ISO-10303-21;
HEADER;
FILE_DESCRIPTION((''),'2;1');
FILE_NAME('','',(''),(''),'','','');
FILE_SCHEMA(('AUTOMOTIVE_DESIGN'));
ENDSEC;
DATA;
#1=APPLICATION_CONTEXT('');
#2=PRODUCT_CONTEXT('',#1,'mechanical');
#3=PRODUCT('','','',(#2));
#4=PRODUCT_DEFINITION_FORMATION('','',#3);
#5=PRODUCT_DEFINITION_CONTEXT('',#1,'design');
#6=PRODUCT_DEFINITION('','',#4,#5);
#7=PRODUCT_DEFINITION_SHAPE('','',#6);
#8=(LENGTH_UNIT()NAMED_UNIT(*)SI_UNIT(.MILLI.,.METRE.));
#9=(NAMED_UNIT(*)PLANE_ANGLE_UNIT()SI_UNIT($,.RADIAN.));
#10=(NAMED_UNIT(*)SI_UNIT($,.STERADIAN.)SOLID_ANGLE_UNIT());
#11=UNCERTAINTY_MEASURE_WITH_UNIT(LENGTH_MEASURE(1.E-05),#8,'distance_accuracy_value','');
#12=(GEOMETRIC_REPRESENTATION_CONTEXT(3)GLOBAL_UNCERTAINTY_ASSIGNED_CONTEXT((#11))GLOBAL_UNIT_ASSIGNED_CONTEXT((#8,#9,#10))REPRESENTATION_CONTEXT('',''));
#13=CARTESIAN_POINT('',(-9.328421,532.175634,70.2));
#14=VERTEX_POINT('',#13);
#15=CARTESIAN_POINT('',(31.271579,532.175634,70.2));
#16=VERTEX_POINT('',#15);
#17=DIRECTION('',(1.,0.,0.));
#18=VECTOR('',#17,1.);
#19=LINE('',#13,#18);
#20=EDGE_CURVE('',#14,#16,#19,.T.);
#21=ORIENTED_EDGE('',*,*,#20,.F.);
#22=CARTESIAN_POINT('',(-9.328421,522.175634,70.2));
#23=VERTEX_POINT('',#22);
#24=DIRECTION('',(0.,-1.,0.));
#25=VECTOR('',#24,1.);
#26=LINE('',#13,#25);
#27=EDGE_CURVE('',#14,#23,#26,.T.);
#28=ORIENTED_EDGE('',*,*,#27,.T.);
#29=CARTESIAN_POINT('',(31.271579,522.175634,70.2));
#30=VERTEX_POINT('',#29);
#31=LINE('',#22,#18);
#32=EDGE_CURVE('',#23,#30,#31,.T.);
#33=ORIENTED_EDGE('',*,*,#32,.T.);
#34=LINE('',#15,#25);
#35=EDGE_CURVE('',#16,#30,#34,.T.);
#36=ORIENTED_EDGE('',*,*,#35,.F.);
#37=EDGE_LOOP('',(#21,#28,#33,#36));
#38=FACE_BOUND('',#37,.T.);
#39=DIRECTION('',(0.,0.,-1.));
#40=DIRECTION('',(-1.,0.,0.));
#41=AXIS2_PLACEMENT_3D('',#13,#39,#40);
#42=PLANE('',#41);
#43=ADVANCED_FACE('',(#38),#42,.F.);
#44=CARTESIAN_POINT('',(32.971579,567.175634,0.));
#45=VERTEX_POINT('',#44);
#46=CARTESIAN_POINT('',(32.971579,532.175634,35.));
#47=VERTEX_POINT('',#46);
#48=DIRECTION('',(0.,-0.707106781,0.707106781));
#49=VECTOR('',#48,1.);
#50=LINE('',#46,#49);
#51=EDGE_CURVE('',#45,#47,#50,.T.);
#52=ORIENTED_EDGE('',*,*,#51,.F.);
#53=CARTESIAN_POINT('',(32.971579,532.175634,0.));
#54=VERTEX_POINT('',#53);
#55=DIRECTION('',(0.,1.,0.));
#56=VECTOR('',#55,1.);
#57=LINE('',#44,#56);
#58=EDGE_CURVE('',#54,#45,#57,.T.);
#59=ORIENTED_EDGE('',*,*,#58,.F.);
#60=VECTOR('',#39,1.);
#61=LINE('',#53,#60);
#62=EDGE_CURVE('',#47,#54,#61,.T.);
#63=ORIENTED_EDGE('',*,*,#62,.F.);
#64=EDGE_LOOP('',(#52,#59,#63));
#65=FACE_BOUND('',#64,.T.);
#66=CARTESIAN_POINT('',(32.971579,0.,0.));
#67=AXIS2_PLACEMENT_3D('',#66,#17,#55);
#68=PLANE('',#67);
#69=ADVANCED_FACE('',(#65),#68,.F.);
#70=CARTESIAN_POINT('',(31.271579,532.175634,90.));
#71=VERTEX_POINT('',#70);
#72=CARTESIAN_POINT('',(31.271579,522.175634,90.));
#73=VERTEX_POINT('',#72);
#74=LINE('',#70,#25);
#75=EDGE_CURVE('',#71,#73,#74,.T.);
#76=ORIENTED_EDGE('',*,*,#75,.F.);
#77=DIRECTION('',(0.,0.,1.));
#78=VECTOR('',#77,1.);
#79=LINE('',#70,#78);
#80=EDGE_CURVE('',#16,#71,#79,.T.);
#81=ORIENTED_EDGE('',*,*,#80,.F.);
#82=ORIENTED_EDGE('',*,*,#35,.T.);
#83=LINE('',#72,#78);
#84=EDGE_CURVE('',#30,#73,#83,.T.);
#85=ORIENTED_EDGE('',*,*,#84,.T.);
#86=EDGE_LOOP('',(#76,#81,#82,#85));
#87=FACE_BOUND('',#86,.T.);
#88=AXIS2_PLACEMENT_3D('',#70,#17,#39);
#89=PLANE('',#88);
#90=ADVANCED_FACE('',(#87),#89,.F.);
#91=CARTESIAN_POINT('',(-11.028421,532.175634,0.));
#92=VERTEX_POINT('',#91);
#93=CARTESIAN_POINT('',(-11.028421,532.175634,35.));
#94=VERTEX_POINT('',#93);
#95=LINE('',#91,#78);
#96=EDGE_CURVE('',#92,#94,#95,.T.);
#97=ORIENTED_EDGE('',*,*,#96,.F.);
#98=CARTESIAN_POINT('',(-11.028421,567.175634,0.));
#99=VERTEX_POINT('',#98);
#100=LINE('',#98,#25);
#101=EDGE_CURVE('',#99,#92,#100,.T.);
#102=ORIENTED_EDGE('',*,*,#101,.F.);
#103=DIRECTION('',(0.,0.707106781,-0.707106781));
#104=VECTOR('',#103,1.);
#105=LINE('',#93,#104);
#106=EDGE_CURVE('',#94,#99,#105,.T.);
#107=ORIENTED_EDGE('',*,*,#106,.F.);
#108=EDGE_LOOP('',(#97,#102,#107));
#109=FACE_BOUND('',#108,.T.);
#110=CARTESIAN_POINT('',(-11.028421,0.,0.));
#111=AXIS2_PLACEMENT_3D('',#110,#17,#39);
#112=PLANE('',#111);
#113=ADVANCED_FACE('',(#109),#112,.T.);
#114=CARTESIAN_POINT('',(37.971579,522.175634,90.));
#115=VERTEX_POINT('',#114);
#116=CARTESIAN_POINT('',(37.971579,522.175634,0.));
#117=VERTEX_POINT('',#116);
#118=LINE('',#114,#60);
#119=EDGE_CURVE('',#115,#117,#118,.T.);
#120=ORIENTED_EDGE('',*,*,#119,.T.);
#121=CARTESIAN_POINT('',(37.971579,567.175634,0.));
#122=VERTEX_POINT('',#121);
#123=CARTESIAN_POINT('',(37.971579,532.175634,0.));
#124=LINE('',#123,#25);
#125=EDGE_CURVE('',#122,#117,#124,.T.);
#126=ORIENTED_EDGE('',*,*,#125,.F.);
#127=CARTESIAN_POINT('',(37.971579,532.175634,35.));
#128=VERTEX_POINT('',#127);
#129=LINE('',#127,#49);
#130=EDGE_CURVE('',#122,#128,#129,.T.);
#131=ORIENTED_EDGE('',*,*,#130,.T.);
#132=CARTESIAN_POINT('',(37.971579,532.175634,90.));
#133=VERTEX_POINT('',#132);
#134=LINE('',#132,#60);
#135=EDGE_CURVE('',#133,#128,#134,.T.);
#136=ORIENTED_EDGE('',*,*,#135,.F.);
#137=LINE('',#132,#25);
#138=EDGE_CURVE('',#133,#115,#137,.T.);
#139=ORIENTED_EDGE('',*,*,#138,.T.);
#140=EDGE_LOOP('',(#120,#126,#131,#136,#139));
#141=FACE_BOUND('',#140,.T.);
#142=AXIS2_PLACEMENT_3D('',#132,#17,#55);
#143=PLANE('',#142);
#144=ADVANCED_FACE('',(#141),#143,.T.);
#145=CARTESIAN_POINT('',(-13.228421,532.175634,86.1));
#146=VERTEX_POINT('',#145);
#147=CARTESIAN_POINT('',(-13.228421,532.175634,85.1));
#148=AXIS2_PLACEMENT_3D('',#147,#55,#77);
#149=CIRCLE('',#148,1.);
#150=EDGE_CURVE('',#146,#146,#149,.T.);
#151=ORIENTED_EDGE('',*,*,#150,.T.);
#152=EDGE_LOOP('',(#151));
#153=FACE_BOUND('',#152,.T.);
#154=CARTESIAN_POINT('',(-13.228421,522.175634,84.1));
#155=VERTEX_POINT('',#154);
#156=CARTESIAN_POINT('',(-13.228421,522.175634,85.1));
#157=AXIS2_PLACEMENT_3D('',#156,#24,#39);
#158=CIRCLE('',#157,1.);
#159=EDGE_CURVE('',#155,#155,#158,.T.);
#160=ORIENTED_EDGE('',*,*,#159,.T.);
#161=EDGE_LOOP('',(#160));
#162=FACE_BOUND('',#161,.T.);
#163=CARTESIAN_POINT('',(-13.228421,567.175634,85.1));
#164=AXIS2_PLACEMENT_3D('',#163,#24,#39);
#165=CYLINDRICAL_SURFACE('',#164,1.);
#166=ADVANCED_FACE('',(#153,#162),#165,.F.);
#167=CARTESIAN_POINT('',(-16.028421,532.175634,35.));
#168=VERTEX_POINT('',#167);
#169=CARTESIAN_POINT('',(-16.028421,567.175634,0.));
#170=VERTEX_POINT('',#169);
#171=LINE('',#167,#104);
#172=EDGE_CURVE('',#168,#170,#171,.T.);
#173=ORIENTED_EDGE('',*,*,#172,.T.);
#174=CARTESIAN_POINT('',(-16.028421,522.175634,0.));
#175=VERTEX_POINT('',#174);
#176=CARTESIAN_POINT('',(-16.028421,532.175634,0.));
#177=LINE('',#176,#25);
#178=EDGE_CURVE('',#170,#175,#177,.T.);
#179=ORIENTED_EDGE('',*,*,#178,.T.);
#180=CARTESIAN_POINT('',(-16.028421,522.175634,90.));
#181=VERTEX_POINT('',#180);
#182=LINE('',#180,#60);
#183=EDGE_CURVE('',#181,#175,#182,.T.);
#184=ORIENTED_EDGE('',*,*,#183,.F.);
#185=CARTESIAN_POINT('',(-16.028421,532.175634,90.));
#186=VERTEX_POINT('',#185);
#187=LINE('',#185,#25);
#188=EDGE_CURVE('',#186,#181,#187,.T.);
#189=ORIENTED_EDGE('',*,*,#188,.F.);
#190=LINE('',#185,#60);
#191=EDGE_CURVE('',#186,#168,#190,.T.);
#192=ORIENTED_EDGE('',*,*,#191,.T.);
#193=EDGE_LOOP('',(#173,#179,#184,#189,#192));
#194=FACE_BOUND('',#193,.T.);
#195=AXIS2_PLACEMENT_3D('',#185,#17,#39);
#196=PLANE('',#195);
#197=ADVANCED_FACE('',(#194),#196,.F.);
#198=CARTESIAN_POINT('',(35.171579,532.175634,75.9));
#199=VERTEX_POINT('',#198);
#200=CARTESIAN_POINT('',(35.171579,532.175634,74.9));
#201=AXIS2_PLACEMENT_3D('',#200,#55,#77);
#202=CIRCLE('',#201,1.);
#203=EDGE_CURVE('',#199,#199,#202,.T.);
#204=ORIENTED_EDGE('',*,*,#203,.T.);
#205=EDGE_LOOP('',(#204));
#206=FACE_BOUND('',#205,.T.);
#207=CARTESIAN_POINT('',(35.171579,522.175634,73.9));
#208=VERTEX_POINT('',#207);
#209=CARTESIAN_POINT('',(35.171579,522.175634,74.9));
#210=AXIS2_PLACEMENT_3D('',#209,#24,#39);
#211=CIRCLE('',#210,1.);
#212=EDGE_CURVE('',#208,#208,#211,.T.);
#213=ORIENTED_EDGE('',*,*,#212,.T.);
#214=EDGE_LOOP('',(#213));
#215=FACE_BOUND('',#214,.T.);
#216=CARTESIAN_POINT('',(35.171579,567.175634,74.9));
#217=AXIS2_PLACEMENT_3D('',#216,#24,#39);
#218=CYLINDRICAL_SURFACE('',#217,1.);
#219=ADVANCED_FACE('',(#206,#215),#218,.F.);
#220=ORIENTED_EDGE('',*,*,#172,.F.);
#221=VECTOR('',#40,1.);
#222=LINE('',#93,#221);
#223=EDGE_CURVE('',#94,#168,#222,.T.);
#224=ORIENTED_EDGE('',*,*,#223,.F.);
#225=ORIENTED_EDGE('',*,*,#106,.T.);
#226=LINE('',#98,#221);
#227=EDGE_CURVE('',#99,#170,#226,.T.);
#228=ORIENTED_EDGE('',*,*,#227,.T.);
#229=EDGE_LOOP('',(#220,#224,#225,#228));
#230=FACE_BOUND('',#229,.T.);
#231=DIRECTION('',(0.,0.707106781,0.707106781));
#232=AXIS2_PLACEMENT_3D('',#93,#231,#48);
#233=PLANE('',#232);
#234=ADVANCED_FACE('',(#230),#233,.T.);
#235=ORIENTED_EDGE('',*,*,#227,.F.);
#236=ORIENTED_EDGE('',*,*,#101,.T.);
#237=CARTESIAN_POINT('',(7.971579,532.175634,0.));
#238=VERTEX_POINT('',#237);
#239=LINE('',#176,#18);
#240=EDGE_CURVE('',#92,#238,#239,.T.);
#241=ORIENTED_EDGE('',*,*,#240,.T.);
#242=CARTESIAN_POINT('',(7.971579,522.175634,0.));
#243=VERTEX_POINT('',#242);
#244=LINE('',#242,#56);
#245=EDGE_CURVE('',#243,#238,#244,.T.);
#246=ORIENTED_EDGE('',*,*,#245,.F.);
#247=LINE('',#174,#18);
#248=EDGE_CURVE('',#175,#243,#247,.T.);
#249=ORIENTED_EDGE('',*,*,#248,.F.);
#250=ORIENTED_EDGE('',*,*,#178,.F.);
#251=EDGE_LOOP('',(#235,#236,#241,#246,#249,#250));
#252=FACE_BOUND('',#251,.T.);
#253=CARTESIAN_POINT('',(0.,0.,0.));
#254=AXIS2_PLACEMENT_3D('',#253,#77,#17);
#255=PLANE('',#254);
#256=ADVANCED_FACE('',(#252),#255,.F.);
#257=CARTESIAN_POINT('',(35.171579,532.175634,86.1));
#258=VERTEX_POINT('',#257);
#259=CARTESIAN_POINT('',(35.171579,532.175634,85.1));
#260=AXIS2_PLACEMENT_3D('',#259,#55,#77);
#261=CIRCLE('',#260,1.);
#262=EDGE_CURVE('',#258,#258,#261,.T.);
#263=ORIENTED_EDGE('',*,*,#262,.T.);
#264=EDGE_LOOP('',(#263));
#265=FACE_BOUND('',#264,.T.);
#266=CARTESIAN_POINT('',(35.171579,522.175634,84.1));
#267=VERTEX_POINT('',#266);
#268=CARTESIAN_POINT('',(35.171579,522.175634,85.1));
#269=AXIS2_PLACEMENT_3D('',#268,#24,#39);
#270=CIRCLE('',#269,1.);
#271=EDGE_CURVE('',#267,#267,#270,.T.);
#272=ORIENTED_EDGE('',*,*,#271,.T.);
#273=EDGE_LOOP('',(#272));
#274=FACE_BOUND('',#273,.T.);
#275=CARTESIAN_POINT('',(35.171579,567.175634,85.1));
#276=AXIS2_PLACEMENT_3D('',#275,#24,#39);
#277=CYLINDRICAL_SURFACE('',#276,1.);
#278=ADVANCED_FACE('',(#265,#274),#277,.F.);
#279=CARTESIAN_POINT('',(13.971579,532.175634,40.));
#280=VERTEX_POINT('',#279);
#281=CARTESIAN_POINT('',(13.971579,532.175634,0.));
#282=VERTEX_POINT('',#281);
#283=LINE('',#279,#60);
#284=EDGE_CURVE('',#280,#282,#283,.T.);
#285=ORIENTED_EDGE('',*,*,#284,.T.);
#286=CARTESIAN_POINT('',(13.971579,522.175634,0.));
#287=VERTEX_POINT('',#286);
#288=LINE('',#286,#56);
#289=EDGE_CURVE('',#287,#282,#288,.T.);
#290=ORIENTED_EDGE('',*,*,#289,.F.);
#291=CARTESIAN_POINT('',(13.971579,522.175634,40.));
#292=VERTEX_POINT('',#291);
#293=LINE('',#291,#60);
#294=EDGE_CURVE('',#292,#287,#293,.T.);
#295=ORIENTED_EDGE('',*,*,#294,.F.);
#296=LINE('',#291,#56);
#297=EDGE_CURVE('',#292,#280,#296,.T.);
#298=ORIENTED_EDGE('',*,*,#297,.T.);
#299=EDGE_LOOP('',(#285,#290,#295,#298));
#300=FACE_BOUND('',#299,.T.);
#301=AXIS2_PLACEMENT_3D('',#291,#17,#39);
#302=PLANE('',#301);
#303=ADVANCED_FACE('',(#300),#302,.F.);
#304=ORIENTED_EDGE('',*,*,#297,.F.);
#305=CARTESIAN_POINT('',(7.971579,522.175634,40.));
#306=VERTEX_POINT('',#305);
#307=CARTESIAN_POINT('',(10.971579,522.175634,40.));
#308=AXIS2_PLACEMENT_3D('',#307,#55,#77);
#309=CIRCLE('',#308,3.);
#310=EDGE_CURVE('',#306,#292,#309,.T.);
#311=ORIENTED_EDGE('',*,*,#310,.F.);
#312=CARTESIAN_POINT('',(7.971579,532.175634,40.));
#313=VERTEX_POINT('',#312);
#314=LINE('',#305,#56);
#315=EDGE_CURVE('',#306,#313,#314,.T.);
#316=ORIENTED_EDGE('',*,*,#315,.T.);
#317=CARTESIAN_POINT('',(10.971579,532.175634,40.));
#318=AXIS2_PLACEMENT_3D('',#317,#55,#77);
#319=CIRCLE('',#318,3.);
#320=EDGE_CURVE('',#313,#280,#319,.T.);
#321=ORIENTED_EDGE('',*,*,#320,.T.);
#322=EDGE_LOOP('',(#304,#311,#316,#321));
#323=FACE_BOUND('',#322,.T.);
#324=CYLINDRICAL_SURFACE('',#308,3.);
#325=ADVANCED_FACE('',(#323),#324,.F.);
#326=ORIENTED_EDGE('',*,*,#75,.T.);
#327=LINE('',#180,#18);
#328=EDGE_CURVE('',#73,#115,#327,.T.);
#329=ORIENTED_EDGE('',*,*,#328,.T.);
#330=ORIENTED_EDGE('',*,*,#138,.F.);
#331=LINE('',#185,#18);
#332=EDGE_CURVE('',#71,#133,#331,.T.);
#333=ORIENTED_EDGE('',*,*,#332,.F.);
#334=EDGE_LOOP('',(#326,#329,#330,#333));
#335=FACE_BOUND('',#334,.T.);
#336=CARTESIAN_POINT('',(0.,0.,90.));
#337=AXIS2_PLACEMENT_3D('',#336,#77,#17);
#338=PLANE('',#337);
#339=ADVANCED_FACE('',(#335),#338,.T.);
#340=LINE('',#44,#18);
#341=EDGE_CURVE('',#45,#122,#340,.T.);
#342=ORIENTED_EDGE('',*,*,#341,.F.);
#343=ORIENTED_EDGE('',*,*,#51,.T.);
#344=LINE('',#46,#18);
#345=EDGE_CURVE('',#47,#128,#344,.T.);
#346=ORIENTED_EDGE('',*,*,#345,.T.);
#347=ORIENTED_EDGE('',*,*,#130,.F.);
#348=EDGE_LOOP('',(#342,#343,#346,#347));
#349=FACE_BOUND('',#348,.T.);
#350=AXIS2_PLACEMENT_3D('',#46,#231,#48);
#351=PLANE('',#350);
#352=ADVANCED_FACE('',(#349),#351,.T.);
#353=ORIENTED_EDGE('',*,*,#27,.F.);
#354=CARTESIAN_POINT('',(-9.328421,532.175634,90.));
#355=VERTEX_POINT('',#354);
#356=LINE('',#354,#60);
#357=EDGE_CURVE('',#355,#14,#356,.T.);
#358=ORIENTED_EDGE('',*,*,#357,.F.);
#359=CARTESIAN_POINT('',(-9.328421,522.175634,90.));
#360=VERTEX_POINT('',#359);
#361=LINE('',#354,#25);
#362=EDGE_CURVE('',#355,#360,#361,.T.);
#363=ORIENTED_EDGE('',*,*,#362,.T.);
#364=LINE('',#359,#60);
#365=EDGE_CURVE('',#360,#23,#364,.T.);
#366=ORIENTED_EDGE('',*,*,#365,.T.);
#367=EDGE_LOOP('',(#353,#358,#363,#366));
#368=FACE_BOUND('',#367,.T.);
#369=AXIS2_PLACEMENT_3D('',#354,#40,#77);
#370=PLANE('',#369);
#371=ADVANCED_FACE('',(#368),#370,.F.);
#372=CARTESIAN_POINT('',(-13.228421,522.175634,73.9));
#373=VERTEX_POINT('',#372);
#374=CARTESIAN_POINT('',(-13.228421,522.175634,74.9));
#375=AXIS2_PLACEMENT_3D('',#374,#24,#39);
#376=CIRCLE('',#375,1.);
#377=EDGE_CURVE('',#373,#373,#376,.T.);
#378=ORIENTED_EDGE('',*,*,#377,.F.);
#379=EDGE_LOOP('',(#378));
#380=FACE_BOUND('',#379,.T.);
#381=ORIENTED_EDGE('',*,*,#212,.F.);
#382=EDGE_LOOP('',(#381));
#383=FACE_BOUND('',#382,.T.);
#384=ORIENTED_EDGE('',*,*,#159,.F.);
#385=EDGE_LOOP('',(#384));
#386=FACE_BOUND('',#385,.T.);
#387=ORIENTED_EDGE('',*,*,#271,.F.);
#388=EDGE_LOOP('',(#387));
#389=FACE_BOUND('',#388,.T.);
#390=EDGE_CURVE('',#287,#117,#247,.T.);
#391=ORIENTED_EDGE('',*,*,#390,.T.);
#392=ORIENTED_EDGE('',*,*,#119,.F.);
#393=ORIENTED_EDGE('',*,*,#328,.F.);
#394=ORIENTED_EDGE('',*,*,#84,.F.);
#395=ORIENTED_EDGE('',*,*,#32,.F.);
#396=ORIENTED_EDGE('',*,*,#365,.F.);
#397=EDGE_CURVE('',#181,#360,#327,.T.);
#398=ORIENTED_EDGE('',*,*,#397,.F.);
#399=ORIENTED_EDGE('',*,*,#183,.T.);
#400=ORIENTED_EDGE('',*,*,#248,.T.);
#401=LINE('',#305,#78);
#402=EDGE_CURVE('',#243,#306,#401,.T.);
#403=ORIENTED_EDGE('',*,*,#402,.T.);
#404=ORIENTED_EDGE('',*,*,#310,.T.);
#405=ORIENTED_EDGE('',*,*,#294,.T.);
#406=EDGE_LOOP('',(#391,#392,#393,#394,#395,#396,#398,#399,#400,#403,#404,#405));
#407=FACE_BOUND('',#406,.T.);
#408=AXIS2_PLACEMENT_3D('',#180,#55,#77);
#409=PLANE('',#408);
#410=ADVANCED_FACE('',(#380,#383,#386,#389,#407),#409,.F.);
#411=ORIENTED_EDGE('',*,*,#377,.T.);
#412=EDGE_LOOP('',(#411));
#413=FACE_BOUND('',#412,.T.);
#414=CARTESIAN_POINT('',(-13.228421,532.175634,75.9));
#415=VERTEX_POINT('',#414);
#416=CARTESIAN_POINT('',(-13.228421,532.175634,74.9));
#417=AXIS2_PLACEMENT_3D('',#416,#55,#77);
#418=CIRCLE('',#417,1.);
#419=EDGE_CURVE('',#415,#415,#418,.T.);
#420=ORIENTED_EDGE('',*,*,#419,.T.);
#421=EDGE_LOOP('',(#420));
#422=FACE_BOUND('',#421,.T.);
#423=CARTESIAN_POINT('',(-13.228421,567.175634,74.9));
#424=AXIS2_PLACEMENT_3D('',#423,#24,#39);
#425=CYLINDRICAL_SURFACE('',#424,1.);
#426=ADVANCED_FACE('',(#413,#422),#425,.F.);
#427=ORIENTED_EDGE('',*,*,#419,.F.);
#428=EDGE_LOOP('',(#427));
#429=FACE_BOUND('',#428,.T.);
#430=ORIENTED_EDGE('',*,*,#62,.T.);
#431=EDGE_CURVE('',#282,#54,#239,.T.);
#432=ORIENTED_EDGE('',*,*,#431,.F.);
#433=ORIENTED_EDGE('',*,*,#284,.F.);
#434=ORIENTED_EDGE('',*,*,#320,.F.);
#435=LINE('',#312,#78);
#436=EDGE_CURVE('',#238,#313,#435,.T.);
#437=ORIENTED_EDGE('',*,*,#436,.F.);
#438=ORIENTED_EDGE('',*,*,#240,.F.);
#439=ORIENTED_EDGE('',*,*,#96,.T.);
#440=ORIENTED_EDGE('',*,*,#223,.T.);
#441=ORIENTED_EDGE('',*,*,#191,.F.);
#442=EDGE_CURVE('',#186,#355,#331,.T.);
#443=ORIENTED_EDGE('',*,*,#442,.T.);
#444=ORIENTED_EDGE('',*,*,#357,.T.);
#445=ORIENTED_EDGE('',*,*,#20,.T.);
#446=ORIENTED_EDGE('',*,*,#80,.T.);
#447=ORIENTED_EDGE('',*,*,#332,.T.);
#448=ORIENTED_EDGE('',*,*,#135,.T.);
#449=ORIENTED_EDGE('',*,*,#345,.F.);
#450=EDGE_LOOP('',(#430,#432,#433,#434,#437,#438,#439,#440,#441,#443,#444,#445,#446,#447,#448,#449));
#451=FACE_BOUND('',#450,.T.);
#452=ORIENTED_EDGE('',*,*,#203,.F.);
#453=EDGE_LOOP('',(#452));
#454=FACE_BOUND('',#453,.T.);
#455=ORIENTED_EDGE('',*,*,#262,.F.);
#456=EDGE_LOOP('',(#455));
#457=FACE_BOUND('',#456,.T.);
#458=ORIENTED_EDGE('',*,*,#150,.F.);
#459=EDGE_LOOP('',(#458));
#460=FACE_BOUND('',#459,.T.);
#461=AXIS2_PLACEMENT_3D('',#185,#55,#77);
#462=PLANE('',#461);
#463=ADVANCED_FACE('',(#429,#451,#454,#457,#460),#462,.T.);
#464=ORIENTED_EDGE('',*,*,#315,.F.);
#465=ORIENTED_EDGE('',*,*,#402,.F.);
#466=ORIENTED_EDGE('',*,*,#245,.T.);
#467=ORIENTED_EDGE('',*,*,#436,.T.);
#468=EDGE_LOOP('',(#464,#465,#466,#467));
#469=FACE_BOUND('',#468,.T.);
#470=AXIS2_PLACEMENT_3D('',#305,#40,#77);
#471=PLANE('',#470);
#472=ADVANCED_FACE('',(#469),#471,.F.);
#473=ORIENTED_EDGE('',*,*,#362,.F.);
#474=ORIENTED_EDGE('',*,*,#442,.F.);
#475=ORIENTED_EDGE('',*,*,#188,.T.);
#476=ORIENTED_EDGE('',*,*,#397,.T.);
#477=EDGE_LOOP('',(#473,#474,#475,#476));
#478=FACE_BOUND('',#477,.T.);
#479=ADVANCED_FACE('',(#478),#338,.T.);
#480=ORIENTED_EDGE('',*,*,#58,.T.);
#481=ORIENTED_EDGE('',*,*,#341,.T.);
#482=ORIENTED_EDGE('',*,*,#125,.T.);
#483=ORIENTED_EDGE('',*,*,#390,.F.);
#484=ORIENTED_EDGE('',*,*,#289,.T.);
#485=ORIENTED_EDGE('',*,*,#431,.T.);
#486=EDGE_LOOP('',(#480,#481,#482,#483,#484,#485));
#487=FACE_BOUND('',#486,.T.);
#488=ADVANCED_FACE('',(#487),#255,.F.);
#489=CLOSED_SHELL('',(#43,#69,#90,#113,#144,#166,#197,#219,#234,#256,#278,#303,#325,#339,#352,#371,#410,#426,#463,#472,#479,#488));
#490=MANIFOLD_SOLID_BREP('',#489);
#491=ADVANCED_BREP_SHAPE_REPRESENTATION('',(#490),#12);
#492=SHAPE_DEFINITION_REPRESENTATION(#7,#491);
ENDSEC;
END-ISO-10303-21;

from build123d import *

# Parameters (mm, degrees)
SKETCH1_W           = 54
SKETCH1_H           = 10
BOSS_EXTRUDE1_DEPTH = 90
SKETCH2_W           = 40.6
SKETCH2_H           = 19.8
CUT_EXTRUDE1_DEPTH  = 99.192875432
CUT_EXTRUDE2_DEPTH  = 99.192875432
BOSS_EXTRUDE4_DEPTH = 5
BOSS_EXTRUDE5_DEPTH = 5
SKETCH9_R           = 1
CUT_EXTRUDE3_DEPTH  = 108.549248187


with BuildPart() as part:
    # Sketch1 → Boss-Extrude1 (new body)
    with BuildSketch(Plane.XY):
        with Locations((10.971578656, 527.175634265)):
            Rectangle(SKETCH1_W, SKETCH1_H)
    extrude(amount=BOSS_EXTRUDE1_DEPTH)

    # Sketch2 → Cut-Extrude1 (cut, through all)
    with BuildSketch(Plane.XZ.offset(-522.175634265)):
        with Locations((10.971578656, 80.1)):
            Rectangle(SKETCH2_W, SKETCH2_H)
    extrude(amount=-CUT_EXTRUDE1_DEPTH, mode=Mode.SUBTRACT)

    # Sketch4 → Cut-Extrude2 (cut, through all)
    with BuildSketch(Plane(origin=(0, 532.175634265, 0), x_dir=(1, 0, 0), z_dir=(0, 1, 0))):
        with BuildLine():
            Line((7.971578656, -40), (7.971578656, 0))
            ThreePointArc((7.971578656, 0), (10.971578656, 3), (13.971578656, 0))
            Line((13.971578656, 0), (13.971578656, -40))
            ThreePointArc((13.971578656, -40), (10.971578656, -43), (7.971578656, -40))
        make_face()
    extrude(amount=-CUT_EXTRUDE2_DEPTH, mode=Mode.SUBTRACT)

    # Sketch7 → Boss-Extrude4 (add)
    with BuildSketch(Plane.ZY.offset(16.028421344)):
        Polygon((35, 532.175634265), (0, 567.175634265), (0, 532.175634265), align=None)
    extrude(amount=-BOSS_EXTRUDE4_DEPTH)

    # Sketch8 → Boss-Extrude5 (add)
    with BuildSketch(Plane(origin=(37.971578656, 0, 0), x_dir=(0, 0, -1), z_dir=(1, 0, 0))):
        Polygon((-35, 532.175634265), (0, 567.175634265), (0, 532.175634265), align=None)
    extrude(amount=-BOSS_EXTRUDE5_DEPTH)

    # Sketch9 → Cut-Extrude3 (cut, through all)
    with BuildSketch(Plane.XZ.offset(-522.175634265)):
        with Locations(Location((-13.228421344, 85.1, 0), (0, 0, 270))):
            Circle(SKETCH9_R)
        with Locations(Location((-13.228421344, 74.9, 0), (0, 0, 270))):
            Circle(SKETCH9_R)
        with Locations(Location((35.171578656, 74.9, 0), (0, 0, 270))):
            Circle(SKETCH9_R)
        with Locations(Location((35.171578656, 85.1, 0), (0, 0, 270))):
            Circle(SKETCH9_R)
    extrude(amount=-CUT_EXTRUDE3_DEPTH, mode=Mode.SUBTRACT)


solid = part.part
